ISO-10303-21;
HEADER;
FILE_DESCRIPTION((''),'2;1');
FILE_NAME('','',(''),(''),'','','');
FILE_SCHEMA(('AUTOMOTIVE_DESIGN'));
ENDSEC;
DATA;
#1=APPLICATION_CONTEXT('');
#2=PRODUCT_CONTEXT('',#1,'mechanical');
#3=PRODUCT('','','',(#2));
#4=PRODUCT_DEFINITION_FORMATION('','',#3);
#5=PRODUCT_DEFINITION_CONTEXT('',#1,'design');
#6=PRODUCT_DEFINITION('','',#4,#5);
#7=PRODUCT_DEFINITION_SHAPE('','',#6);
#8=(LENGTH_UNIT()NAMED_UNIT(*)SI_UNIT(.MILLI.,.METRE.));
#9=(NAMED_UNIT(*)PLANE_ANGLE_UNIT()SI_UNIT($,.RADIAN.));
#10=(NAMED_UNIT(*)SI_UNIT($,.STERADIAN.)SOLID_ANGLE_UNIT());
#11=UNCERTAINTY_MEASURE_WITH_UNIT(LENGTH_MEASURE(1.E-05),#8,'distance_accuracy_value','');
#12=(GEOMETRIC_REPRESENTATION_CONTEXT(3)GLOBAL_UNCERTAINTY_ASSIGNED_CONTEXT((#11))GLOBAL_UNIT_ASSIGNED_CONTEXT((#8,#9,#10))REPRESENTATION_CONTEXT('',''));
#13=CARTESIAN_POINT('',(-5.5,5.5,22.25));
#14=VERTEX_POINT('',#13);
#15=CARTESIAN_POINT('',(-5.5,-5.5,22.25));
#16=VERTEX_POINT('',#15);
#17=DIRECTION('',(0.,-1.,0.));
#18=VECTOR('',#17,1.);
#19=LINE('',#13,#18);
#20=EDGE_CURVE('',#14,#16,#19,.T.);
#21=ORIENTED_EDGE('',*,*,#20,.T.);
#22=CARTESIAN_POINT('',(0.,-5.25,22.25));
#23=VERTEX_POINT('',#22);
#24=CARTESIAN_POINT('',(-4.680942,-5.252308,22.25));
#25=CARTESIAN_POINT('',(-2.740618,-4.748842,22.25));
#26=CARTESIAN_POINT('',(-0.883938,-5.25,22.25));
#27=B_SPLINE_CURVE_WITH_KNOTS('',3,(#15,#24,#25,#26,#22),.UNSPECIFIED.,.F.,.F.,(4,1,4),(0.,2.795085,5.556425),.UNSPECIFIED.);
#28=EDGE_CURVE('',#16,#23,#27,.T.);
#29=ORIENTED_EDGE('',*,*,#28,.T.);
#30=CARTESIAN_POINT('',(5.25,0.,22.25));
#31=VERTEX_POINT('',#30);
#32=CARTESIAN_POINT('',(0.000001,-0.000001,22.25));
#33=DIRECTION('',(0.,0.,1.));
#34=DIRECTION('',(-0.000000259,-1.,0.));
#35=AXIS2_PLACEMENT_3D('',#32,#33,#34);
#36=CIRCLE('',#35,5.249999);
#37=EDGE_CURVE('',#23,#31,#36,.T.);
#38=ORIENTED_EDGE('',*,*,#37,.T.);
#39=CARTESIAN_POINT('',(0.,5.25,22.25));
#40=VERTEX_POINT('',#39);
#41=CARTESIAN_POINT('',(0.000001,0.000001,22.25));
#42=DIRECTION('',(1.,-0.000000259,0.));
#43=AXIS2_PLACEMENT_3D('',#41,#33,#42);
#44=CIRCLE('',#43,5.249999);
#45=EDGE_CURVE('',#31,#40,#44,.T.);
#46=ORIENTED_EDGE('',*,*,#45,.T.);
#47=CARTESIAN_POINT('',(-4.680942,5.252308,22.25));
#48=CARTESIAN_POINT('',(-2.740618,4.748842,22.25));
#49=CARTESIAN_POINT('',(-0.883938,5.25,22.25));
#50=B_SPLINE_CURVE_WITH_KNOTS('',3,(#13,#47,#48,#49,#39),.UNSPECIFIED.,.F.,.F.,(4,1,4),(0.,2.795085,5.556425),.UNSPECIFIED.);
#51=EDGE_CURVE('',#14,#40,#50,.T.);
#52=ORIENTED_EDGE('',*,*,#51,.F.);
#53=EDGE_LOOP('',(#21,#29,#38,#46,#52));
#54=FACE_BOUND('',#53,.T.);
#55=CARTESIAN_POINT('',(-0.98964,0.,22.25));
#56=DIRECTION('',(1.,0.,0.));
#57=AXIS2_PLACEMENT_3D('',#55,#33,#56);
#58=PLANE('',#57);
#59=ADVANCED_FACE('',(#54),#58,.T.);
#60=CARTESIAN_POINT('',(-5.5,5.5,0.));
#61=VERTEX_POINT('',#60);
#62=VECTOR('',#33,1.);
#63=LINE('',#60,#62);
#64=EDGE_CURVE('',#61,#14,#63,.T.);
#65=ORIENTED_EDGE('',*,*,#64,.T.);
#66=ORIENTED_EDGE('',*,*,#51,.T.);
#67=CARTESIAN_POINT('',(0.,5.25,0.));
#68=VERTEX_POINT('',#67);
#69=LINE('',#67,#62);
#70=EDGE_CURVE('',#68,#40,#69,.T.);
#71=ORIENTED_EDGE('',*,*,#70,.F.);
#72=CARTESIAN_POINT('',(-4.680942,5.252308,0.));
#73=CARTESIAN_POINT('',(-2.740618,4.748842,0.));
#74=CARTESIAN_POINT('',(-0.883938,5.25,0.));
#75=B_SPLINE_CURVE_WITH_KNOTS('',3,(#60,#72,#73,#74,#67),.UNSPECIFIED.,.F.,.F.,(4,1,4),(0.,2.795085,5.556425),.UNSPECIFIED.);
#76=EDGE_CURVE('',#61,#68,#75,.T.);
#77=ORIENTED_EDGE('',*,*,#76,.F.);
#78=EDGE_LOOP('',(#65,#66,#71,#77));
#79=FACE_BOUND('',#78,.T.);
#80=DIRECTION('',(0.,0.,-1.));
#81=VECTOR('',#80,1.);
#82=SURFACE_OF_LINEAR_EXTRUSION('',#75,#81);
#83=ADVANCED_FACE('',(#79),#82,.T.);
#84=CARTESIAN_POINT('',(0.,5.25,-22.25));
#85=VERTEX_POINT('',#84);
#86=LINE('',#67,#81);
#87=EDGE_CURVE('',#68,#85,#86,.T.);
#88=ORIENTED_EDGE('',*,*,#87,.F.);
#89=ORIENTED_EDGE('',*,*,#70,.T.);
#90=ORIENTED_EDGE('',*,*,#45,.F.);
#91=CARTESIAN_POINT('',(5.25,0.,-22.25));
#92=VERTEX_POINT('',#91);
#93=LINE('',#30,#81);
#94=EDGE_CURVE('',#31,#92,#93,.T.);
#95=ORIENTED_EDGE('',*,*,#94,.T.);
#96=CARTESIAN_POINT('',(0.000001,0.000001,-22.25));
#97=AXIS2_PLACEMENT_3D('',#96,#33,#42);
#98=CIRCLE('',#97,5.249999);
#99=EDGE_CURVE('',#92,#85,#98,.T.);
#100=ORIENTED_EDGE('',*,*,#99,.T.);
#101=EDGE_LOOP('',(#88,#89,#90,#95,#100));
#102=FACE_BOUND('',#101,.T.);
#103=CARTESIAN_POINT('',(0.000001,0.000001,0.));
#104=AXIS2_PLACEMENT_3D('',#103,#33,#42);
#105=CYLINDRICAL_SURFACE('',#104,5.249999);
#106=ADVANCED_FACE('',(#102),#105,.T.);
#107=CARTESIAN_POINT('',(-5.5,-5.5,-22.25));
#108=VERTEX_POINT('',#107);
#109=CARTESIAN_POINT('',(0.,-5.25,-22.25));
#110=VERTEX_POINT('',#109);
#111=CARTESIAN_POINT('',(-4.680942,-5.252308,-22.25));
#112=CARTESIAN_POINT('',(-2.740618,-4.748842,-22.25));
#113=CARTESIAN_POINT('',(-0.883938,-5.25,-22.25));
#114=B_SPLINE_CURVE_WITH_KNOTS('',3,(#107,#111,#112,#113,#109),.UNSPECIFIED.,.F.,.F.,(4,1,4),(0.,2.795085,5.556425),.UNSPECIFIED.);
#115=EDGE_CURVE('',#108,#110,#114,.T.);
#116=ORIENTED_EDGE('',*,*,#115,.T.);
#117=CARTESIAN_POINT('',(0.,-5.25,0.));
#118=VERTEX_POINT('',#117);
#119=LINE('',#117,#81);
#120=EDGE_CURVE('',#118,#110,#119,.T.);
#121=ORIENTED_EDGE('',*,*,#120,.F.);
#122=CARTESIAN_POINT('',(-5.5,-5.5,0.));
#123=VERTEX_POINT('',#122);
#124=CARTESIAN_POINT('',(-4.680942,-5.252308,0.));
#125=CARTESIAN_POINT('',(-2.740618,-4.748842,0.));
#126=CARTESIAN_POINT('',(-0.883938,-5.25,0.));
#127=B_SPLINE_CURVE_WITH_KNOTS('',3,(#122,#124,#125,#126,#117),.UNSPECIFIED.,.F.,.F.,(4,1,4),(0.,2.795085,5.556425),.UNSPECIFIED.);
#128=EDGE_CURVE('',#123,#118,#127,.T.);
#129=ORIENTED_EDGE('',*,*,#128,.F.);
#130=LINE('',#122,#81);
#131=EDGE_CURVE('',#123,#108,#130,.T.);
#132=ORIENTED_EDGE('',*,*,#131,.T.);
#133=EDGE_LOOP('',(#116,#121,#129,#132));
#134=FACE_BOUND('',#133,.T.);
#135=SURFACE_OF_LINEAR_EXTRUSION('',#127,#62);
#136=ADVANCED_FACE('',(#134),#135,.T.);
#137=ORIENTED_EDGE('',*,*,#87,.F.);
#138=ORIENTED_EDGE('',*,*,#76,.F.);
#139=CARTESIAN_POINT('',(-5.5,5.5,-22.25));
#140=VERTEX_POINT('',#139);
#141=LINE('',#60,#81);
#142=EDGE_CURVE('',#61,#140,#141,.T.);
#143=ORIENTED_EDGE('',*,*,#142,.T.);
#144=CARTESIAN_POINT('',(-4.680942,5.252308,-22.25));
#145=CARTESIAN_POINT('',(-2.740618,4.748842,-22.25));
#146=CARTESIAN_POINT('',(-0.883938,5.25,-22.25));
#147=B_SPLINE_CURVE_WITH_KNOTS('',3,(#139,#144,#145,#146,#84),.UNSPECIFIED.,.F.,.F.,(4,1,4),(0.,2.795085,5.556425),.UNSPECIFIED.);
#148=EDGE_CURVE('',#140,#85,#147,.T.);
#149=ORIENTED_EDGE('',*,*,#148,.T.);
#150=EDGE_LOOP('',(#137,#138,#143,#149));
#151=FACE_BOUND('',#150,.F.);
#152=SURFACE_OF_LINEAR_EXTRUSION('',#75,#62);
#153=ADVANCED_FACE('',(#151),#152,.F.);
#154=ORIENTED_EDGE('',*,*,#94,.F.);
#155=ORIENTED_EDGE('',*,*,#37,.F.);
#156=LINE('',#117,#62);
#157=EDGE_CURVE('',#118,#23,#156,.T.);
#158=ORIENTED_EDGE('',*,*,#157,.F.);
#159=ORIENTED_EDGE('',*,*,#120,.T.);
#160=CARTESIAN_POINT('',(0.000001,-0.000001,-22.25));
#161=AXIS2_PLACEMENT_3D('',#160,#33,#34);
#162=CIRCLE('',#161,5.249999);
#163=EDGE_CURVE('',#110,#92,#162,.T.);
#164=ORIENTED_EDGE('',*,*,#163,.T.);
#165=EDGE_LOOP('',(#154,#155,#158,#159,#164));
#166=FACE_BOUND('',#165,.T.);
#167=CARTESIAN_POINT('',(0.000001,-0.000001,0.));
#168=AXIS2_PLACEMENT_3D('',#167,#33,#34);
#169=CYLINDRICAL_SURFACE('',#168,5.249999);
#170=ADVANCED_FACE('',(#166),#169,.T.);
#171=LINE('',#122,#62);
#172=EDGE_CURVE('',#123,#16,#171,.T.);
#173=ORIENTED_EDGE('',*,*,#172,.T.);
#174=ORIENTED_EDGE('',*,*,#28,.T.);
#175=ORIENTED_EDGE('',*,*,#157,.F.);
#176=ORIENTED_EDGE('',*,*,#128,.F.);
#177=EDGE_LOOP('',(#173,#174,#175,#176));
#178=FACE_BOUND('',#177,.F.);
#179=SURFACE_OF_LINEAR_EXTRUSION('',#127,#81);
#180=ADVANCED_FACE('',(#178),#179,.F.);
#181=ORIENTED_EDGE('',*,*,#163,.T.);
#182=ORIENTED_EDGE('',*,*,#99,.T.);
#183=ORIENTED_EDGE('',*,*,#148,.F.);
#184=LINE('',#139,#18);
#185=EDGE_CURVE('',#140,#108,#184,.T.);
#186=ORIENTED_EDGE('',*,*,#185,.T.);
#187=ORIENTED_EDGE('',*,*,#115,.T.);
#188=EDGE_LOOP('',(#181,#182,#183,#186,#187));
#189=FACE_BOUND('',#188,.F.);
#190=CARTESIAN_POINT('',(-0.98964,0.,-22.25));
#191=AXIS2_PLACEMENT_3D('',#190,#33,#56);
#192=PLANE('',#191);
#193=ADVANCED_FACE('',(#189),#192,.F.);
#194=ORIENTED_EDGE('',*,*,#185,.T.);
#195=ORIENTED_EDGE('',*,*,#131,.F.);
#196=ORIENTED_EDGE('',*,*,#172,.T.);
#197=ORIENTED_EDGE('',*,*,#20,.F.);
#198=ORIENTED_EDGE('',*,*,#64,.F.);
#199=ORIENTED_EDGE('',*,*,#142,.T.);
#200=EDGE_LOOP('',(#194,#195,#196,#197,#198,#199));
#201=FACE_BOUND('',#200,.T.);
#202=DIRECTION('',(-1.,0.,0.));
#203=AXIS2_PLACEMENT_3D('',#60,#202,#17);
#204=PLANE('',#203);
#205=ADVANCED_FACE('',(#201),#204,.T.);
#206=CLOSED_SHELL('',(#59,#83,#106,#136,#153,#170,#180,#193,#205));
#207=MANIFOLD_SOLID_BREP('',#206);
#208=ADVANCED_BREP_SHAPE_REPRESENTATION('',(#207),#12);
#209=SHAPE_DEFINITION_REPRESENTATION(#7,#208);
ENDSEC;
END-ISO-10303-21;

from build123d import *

# Parameters (mm, degrees)
F1_DEPTH = 22.25


with BuildPart() as f1:
    # F0 (on Top) → F1 (new body, symmetric)
    with BuildSketch(Plane.XY):
        with BuildLine():
            Line((-5.5, 5.5), (-5.5, 0))
            Line((-5.5, 0), (-5.5, -5.5))
            add(Edge.make_bspline(
                [(-5.5, -5.5), (-4.680942, -5.252308), (-2.740618, -4.748842), (-0.883938, -5.25), (0, -5.25)],
                knots=[0, 0, 0, 0, 2.795085, 5.556425, 5.556425, 5.556425, 5.556425], degree=3))
            ThreePointArc((0, -5.25), (3.712311, -3.712311), (5.25, 0))
            ThreePointArc((5.25, 0), (3.712311, 3.712311), (0, 5.25))
            add(Edge.make_bspline(
                [(-5.5, 5.5), (-4.680942, 5.252308), (-2.740618, 4.748842), (-0.883938, 5.25), (0, 5.25)],
                knots=[0, 0, 0, 0, 2.795085, 5.556425, 5.556425, 5.556425, 5.556425], degree=3))
        make_face()
    extrude(amount=F1_DEPTH, both=True)


solid = f1.part
